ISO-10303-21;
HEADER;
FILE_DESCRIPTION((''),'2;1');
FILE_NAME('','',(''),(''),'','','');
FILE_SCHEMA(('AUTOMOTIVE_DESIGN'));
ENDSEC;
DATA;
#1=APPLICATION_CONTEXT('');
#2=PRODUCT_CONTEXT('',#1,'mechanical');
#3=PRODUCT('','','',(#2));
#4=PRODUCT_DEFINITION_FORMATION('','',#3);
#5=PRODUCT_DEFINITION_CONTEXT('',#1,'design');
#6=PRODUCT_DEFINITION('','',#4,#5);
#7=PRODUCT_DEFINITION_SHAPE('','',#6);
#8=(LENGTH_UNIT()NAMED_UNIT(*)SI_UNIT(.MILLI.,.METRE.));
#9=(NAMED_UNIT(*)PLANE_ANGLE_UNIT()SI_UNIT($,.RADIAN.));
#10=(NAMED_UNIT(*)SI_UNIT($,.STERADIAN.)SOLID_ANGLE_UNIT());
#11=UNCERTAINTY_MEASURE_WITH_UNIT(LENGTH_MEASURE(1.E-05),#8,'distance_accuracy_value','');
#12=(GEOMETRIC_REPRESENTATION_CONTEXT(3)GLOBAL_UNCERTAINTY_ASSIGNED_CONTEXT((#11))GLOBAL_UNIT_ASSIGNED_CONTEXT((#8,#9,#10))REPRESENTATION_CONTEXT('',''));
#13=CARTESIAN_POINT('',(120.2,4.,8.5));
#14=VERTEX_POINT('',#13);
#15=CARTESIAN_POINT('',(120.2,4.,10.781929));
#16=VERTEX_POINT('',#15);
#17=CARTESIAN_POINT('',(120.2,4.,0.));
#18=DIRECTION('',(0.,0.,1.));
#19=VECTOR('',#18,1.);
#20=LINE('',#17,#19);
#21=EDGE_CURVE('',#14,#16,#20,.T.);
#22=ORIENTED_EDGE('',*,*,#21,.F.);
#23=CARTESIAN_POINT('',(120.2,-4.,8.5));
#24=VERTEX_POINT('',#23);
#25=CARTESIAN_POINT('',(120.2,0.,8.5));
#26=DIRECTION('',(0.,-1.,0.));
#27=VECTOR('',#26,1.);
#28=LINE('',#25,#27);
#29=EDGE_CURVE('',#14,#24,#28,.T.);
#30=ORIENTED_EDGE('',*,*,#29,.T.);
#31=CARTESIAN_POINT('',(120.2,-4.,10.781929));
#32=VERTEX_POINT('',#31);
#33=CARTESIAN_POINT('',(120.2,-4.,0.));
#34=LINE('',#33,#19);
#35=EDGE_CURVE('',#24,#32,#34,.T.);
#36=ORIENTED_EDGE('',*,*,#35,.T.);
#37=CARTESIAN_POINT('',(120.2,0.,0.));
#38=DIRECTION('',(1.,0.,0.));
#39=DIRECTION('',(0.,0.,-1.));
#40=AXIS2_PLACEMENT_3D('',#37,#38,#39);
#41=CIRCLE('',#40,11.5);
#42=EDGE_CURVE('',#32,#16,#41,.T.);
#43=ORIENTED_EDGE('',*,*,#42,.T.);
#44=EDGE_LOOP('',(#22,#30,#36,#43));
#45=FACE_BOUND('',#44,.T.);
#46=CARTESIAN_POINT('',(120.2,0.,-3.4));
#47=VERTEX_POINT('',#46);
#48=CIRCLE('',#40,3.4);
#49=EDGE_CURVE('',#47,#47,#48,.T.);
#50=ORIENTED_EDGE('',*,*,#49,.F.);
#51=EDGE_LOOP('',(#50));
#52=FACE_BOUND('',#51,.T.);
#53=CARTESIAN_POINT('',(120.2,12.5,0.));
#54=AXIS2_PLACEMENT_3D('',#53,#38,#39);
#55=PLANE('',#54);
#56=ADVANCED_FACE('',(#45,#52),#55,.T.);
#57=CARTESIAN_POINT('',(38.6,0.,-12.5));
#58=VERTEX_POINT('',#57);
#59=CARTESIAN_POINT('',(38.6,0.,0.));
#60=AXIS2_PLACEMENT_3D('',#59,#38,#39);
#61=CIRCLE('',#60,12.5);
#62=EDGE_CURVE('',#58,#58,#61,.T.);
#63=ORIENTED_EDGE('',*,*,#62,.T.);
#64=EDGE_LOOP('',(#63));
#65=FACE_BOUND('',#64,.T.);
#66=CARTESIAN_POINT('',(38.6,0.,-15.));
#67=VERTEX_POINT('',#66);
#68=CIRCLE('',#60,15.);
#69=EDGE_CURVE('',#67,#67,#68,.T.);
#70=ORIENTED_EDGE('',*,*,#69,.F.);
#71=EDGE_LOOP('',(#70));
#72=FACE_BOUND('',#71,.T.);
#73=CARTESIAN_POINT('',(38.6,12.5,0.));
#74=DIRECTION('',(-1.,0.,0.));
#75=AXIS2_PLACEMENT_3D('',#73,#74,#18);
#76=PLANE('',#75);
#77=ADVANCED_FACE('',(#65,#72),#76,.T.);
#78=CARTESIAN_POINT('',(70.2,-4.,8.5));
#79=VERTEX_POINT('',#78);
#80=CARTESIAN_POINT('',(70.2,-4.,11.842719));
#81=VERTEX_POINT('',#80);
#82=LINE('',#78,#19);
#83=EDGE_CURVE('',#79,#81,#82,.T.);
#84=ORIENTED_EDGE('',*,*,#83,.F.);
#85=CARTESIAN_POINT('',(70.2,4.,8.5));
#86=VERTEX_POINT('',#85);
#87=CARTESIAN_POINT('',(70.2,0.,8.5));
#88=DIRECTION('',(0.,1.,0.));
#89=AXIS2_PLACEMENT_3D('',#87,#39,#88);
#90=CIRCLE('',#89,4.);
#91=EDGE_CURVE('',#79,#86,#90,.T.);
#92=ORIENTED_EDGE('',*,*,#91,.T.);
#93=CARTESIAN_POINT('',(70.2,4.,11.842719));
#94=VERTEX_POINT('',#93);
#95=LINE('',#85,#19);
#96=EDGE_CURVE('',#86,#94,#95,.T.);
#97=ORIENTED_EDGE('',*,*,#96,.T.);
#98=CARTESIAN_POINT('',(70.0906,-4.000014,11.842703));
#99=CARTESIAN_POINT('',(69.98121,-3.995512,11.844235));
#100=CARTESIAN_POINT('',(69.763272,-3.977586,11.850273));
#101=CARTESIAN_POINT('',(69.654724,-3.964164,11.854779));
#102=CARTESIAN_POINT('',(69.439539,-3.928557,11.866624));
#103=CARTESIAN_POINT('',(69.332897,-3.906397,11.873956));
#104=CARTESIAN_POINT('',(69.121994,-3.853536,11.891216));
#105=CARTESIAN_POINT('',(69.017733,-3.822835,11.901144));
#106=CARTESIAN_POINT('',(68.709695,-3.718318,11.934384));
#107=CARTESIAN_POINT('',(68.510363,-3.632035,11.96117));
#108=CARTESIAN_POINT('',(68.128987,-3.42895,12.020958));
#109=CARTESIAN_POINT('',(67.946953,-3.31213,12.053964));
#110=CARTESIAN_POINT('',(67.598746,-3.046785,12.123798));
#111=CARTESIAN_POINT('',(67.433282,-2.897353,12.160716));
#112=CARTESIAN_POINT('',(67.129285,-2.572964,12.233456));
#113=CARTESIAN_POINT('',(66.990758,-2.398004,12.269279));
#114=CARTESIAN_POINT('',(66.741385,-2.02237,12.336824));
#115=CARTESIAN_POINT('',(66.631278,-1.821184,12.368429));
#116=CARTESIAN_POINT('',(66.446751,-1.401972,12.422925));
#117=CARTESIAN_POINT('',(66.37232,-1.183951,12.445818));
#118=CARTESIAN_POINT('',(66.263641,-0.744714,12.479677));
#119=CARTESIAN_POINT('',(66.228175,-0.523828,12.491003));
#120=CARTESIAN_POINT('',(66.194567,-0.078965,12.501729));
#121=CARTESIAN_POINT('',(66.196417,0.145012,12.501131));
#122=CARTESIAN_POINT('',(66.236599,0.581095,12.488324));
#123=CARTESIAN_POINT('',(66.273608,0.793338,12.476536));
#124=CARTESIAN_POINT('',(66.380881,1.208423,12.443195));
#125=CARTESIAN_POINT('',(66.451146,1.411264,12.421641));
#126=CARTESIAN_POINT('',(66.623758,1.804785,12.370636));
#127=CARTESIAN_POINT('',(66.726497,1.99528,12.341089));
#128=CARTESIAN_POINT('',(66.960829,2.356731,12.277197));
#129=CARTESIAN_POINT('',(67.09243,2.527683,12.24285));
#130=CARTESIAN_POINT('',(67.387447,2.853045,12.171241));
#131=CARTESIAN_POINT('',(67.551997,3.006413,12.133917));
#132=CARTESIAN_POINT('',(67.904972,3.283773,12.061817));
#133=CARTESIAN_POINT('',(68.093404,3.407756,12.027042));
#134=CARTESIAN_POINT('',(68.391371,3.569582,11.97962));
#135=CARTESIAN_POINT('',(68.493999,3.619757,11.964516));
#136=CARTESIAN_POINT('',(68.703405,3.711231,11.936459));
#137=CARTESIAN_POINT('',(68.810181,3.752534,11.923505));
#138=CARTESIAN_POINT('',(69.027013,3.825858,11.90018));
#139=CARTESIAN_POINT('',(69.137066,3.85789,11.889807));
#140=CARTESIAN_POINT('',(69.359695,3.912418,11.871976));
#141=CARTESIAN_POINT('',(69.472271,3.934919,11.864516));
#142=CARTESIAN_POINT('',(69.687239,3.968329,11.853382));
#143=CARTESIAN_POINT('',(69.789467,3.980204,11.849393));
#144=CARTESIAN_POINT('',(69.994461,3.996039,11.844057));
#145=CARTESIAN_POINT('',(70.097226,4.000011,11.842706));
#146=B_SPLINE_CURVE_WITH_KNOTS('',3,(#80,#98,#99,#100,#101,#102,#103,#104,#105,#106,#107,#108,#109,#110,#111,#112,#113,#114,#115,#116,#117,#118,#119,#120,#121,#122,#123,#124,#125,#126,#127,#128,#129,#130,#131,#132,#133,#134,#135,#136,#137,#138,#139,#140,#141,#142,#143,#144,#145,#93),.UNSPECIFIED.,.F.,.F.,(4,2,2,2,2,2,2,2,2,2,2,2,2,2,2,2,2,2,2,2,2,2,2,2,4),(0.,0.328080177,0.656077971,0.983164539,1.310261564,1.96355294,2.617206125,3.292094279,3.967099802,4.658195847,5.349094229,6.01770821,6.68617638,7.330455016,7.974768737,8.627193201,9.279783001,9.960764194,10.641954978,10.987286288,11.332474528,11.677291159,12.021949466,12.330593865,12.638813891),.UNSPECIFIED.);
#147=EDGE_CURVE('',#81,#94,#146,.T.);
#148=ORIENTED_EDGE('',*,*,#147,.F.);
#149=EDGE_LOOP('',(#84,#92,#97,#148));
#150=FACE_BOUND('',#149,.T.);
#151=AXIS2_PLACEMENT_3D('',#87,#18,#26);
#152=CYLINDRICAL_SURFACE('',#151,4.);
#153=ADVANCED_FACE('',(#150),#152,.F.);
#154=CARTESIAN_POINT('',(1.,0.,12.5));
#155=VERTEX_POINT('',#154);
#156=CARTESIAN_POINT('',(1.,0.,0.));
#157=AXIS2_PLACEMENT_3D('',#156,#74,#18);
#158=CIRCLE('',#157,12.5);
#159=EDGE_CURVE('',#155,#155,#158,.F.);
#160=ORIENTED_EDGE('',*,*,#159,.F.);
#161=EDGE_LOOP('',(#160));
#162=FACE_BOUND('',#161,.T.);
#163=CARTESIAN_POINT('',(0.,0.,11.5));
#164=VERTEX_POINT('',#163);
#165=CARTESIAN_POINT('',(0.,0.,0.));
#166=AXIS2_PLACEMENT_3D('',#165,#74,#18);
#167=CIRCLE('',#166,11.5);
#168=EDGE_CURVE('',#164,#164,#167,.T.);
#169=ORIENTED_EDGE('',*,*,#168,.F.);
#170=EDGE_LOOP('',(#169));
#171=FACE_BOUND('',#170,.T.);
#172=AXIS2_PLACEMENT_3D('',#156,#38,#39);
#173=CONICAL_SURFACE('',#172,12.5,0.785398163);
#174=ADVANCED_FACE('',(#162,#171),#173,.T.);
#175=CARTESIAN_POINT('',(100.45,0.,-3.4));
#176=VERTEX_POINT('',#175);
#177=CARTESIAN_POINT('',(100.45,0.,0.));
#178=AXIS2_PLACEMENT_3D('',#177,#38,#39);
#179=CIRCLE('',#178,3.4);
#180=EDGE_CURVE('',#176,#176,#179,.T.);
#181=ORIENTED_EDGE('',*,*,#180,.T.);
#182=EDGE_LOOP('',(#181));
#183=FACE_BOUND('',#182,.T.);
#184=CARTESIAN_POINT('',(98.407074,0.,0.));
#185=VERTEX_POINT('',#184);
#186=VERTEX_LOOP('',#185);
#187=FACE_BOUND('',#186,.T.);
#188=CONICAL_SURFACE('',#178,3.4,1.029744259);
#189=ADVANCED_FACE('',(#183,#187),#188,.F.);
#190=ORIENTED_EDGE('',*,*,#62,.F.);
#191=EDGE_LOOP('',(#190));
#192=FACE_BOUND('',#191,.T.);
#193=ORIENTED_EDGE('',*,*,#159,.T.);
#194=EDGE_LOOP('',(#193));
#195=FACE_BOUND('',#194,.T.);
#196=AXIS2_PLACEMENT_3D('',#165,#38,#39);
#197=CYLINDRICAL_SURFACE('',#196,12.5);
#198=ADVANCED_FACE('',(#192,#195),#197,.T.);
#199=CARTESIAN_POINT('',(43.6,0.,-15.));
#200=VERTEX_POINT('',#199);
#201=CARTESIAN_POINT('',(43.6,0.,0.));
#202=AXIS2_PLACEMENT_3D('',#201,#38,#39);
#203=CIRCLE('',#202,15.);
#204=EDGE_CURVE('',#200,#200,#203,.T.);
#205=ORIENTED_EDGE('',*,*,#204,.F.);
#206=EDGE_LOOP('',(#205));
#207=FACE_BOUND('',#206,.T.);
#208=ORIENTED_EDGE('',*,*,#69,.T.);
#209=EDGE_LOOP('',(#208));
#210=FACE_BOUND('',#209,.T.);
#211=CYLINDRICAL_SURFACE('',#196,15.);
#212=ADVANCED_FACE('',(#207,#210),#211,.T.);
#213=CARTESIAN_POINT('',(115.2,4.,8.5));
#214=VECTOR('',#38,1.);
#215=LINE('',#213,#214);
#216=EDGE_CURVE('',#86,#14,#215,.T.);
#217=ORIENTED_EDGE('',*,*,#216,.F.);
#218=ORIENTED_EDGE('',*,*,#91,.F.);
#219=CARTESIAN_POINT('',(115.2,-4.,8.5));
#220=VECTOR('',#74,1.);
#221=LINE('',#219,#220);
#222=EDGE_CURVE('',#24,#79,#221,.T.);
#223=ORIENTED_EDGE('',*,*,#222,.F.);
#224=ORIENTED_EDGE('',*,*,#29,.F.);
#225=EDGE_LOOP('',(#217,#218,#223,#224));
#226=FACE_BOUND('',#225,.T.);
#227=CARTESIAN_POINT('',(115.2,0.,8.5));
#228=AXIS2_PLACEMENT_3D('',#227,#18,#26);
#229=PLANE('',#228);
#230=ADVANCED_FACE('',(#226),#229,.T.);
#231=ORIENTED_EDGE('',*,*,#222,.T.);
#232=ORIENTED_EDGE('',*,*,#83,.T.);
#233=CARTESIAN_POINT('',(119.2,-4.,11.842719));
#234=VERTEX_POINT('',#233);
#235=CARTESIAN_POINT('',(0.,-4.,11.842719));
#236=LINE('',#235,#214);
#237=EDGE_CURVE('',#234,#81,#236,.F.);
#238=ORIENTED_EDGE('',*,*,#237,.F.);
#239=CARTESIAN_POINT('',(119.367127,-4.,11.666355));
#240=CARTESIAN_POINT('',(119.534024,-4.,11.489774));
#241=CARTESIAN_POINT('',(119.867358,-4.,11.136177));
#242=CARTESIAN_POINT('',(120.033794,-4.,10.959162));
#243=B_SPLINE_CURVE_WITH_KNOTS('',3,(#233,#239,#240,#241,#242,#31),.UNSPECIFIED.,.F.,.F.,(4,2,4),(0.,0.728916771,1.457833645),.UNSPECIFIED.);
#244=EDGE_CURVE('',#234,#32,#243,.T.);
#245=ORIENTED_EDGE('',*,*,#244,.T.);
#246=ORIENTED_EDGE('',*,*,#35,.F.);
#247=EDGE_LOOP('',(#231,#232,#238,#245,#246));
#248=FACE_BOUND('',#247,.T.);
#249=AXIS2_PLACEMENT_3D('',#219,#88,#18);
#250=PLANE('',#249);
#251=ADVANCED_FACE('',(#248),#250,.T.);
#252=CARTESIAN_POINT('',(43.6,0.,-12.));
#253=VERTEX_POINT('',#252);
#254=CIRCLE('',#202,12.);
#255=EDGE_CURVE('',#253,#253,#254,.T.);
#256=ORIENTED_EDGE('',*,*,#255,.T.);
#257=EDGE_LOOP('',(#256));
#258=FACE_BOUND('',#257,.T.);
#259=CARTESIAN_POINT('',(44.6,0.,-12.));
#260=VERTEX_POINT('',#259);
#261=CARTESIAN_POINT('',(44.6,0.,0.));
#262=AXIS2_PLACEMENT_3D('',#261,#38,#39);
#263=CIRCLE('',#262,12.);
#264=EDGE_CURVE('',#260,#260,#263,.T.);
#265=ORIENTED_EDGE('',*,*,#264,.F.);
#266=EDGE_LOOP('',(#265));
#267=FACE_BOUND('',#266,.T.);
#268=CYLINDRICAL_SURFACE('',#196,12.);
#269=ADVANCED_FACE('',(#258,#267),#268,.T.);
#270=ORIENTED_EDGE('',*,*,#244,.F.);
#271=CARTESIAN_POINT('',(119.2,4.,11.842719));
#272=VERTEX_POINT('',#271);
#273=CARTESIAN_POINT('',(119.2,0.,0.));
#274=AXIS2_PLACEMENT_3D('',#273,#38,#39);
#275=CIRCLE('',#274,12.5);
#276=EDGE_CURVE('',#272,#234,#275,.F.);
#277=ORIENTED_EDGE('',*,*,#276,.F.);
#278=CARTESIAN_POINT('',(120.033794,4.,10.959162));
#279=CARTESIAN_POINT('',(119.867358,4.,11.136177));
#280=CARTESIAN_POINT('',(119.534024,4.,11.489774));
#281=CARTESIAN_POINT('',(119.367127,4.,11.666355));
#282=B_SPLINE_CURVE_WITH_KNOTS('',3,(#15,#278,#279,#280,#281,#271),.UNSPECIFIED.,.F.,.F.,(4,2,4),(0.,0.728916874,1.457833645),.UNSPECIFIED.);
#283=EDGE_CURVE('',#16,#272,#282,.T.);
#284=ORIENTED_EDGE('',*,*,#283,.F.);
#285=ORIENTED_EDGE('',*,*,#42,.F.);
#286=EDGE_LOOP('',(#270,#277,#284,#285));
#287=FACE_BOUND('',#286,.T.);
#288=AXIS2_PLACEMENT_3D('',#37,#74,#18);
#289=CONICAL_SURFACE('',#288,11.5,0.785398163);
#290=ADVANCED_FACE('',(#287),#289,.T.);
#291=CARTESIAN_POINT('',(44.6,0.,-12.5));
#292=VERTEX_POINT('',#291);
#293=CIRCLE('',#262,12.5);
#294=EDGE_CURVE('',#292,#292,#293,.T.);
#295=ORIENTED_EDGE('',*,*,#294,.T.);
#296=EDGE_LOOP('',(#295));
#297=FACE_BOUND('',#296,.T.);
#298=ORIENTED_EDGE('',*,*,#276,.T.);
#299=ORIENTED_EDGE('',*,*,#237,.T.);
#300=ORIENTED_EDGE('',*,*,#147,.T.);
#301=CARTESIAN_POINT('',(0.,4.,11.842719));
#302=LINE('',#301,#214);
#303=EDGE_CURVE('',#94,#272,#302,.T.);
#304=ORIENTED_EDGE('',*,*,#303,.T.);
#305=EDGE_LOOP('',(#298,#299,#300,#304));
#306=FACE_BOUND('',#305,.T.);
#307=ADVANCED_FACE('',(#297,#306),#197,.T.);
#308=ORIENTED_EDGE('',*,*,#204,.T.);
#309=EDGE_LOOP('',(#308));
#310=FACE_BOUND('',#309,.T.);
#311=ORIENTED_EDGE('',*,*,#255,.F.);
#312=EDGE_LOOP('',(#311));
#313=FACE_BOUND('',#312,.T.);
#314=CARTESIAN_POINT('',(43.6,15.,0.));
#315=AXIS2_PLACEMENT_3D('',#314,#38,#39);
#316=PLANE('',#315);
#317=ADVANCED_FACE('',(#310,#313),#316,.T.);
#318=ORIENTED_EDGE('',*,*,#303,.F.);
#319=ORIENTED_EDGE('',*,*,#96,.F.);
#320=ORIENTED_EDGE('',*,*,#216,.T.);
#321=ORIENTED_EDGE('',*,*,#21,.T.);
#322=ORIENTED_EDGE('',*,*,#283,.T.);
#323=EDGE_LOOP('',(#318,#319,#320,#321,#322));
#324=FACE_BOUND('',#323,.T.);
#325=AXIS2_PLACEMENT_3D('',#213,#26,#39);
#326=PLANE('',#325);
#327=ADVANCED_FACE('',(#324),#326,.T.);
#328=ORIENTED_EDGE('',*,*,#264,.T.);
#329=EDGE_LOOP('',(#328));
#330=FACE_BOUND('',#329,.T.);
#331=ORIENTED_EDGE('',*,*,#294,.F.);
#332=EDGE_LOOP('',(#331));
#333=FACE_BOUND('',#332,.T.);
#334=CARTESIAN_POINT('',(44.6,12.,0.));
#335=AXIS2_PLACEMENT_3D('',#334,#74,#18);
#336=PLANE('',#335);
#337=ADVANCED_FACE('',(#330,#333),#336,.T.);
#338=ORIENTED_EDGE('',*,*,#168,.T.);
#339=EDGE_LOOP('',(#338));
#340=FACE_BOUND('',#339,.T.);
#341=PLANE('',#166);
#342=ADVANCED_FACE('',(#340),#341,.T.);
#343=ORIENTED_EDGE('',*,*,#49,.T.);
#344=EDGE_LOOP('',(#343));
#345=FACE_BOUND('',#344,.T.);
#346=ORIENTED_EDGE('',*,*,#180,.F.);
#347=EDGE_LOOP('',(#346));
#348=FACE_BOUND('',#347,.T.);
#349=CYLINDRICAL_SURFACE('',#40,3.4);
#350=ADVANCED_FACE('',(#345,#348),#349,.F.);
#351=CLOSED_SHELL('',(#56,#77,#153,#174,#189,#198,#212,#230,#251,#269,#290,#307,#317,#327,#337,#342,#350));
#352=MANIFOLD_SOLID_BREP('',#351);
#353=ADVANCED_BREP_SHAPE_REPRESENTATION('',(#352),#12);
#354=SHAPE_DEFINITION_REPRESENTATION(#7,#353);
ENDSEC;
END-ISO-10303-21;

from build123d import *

# Parameters (mm, degrees)
CHAMFER1_SIZE         = 1
CUT_EXTRUDE1_DEPTH    = 4
CUT_EXTRUDE2_DEPTH    = 10
M8_TAPPED_HOLE1_D     = 6.8
M8_TAPPED_HOLE1_DEPTH = 19.75
M8_TAPPED_HOLE1_TIP   = 2.042926105
CHAMFER2_SIZE         = 1


with BuildPart() as part:
    # Sketch1 → Revolve1 (revolve)
    with BuildSketch(Plane.XY, mode=Mode.PRIVATE) as revolve1_sk:
        Polygon((0, 0), (0, 12.5), (38.6, 12.5), (38.6, 15), (43.6, 15), (43.6, 12), (44.6, 12), (44.6, 12.5), (120.2, 12.5), (120.2, 0), align=None)
    revolve(revolve1_sk.sketch.rotate(Axis((0, 0, 0), (-1, 0, 0)), 90), axis=Axis((0, 0, 0), (-1, 0, 0)))

    # Chamfer1
    chamfer1_edges = [part.edges().sort_by_distance(p)[0] for p in [
        (0, 0, 12.5),
    ]]
    chamfer(chamfer1_edges, length=CHAMFER1_SIZE)

    # Sketch3 → Cut-Extrude1 (cut)
    with BuildSketch(Plane(origin=(120.2, 2.936266506, 12.5), x_dir=(1, 0, 0), z_dir=(0, 0, -1))):
        with BuildLine():
            Line((-5, 6.936266506), (-50, 6.936266506))
            ThreePointArc((-50, 6.936266506), (-54, 2.936266506), (-50, -1.063733494))
            Line((-50, -1.063733494), (-5, -1.063733494))
            ThreePointArc((-5, -1.063733494), (-1, 2.936266506), (-5, 6.936266506))
        make_face()
    extrude(amount=CUT_EXTRUDE1_DEPTH, mode=Mode.SUBTRACT)

    # Sketch4 → Cut-Extrude2 (cut)
    with BuildSketch(Plane(origin=(120.2, 0, 0), x_dir=(0, 0, -1), z_dir=(1, 0, 0))):
        with BuildLine():
            Line((-8.5, -4), (-8.5, 4))
            Line((-8.5, 4), (-11.842719282, 4))
            ThreePointArc((-11.842719282, 4), (-12.5, 0), (-11.842719282, -4))
            Line((-11.842719282, -4), (-8.5, -4))
        make_face()
    extrude(amount=-CUT_EXTRUDE2_DEPTH, mode=Mode.SUBTRACT)

    # M8 Tapped Hole1
    with Locations(Plane(origin=(120.2, 0, 0), x_dir=(0, 0, -1), z_dir=(1, 0, 0))):
        with Locations((0, 0)):
            Hole(M8_TAPPED_HOLE1_D / 2, depth=M8_TAPPED_HOLE1_DEPTH)
            with Locations((0, 0, -(M8_TAPPED_HOLE1_DEPTH + M8_TAPPED_HOLE1_TIP / 2))):  # 118° drill point
                Cone(0, M8_TAPPED_HOLE1_D / 2, M8_TAPPED_HOLE1_TIP, mode=Mode.SUBTRACT)

    # Chamfer2
    chamfer2_edges = [part.edges().sort_by_distance(p)[0] for p in [
        (120.2, 12.33458534, -2.026821276),
    ]]
    chamfer(chamfer2_edges, length=CHAMFER2_SIZE)


solid = part.part
